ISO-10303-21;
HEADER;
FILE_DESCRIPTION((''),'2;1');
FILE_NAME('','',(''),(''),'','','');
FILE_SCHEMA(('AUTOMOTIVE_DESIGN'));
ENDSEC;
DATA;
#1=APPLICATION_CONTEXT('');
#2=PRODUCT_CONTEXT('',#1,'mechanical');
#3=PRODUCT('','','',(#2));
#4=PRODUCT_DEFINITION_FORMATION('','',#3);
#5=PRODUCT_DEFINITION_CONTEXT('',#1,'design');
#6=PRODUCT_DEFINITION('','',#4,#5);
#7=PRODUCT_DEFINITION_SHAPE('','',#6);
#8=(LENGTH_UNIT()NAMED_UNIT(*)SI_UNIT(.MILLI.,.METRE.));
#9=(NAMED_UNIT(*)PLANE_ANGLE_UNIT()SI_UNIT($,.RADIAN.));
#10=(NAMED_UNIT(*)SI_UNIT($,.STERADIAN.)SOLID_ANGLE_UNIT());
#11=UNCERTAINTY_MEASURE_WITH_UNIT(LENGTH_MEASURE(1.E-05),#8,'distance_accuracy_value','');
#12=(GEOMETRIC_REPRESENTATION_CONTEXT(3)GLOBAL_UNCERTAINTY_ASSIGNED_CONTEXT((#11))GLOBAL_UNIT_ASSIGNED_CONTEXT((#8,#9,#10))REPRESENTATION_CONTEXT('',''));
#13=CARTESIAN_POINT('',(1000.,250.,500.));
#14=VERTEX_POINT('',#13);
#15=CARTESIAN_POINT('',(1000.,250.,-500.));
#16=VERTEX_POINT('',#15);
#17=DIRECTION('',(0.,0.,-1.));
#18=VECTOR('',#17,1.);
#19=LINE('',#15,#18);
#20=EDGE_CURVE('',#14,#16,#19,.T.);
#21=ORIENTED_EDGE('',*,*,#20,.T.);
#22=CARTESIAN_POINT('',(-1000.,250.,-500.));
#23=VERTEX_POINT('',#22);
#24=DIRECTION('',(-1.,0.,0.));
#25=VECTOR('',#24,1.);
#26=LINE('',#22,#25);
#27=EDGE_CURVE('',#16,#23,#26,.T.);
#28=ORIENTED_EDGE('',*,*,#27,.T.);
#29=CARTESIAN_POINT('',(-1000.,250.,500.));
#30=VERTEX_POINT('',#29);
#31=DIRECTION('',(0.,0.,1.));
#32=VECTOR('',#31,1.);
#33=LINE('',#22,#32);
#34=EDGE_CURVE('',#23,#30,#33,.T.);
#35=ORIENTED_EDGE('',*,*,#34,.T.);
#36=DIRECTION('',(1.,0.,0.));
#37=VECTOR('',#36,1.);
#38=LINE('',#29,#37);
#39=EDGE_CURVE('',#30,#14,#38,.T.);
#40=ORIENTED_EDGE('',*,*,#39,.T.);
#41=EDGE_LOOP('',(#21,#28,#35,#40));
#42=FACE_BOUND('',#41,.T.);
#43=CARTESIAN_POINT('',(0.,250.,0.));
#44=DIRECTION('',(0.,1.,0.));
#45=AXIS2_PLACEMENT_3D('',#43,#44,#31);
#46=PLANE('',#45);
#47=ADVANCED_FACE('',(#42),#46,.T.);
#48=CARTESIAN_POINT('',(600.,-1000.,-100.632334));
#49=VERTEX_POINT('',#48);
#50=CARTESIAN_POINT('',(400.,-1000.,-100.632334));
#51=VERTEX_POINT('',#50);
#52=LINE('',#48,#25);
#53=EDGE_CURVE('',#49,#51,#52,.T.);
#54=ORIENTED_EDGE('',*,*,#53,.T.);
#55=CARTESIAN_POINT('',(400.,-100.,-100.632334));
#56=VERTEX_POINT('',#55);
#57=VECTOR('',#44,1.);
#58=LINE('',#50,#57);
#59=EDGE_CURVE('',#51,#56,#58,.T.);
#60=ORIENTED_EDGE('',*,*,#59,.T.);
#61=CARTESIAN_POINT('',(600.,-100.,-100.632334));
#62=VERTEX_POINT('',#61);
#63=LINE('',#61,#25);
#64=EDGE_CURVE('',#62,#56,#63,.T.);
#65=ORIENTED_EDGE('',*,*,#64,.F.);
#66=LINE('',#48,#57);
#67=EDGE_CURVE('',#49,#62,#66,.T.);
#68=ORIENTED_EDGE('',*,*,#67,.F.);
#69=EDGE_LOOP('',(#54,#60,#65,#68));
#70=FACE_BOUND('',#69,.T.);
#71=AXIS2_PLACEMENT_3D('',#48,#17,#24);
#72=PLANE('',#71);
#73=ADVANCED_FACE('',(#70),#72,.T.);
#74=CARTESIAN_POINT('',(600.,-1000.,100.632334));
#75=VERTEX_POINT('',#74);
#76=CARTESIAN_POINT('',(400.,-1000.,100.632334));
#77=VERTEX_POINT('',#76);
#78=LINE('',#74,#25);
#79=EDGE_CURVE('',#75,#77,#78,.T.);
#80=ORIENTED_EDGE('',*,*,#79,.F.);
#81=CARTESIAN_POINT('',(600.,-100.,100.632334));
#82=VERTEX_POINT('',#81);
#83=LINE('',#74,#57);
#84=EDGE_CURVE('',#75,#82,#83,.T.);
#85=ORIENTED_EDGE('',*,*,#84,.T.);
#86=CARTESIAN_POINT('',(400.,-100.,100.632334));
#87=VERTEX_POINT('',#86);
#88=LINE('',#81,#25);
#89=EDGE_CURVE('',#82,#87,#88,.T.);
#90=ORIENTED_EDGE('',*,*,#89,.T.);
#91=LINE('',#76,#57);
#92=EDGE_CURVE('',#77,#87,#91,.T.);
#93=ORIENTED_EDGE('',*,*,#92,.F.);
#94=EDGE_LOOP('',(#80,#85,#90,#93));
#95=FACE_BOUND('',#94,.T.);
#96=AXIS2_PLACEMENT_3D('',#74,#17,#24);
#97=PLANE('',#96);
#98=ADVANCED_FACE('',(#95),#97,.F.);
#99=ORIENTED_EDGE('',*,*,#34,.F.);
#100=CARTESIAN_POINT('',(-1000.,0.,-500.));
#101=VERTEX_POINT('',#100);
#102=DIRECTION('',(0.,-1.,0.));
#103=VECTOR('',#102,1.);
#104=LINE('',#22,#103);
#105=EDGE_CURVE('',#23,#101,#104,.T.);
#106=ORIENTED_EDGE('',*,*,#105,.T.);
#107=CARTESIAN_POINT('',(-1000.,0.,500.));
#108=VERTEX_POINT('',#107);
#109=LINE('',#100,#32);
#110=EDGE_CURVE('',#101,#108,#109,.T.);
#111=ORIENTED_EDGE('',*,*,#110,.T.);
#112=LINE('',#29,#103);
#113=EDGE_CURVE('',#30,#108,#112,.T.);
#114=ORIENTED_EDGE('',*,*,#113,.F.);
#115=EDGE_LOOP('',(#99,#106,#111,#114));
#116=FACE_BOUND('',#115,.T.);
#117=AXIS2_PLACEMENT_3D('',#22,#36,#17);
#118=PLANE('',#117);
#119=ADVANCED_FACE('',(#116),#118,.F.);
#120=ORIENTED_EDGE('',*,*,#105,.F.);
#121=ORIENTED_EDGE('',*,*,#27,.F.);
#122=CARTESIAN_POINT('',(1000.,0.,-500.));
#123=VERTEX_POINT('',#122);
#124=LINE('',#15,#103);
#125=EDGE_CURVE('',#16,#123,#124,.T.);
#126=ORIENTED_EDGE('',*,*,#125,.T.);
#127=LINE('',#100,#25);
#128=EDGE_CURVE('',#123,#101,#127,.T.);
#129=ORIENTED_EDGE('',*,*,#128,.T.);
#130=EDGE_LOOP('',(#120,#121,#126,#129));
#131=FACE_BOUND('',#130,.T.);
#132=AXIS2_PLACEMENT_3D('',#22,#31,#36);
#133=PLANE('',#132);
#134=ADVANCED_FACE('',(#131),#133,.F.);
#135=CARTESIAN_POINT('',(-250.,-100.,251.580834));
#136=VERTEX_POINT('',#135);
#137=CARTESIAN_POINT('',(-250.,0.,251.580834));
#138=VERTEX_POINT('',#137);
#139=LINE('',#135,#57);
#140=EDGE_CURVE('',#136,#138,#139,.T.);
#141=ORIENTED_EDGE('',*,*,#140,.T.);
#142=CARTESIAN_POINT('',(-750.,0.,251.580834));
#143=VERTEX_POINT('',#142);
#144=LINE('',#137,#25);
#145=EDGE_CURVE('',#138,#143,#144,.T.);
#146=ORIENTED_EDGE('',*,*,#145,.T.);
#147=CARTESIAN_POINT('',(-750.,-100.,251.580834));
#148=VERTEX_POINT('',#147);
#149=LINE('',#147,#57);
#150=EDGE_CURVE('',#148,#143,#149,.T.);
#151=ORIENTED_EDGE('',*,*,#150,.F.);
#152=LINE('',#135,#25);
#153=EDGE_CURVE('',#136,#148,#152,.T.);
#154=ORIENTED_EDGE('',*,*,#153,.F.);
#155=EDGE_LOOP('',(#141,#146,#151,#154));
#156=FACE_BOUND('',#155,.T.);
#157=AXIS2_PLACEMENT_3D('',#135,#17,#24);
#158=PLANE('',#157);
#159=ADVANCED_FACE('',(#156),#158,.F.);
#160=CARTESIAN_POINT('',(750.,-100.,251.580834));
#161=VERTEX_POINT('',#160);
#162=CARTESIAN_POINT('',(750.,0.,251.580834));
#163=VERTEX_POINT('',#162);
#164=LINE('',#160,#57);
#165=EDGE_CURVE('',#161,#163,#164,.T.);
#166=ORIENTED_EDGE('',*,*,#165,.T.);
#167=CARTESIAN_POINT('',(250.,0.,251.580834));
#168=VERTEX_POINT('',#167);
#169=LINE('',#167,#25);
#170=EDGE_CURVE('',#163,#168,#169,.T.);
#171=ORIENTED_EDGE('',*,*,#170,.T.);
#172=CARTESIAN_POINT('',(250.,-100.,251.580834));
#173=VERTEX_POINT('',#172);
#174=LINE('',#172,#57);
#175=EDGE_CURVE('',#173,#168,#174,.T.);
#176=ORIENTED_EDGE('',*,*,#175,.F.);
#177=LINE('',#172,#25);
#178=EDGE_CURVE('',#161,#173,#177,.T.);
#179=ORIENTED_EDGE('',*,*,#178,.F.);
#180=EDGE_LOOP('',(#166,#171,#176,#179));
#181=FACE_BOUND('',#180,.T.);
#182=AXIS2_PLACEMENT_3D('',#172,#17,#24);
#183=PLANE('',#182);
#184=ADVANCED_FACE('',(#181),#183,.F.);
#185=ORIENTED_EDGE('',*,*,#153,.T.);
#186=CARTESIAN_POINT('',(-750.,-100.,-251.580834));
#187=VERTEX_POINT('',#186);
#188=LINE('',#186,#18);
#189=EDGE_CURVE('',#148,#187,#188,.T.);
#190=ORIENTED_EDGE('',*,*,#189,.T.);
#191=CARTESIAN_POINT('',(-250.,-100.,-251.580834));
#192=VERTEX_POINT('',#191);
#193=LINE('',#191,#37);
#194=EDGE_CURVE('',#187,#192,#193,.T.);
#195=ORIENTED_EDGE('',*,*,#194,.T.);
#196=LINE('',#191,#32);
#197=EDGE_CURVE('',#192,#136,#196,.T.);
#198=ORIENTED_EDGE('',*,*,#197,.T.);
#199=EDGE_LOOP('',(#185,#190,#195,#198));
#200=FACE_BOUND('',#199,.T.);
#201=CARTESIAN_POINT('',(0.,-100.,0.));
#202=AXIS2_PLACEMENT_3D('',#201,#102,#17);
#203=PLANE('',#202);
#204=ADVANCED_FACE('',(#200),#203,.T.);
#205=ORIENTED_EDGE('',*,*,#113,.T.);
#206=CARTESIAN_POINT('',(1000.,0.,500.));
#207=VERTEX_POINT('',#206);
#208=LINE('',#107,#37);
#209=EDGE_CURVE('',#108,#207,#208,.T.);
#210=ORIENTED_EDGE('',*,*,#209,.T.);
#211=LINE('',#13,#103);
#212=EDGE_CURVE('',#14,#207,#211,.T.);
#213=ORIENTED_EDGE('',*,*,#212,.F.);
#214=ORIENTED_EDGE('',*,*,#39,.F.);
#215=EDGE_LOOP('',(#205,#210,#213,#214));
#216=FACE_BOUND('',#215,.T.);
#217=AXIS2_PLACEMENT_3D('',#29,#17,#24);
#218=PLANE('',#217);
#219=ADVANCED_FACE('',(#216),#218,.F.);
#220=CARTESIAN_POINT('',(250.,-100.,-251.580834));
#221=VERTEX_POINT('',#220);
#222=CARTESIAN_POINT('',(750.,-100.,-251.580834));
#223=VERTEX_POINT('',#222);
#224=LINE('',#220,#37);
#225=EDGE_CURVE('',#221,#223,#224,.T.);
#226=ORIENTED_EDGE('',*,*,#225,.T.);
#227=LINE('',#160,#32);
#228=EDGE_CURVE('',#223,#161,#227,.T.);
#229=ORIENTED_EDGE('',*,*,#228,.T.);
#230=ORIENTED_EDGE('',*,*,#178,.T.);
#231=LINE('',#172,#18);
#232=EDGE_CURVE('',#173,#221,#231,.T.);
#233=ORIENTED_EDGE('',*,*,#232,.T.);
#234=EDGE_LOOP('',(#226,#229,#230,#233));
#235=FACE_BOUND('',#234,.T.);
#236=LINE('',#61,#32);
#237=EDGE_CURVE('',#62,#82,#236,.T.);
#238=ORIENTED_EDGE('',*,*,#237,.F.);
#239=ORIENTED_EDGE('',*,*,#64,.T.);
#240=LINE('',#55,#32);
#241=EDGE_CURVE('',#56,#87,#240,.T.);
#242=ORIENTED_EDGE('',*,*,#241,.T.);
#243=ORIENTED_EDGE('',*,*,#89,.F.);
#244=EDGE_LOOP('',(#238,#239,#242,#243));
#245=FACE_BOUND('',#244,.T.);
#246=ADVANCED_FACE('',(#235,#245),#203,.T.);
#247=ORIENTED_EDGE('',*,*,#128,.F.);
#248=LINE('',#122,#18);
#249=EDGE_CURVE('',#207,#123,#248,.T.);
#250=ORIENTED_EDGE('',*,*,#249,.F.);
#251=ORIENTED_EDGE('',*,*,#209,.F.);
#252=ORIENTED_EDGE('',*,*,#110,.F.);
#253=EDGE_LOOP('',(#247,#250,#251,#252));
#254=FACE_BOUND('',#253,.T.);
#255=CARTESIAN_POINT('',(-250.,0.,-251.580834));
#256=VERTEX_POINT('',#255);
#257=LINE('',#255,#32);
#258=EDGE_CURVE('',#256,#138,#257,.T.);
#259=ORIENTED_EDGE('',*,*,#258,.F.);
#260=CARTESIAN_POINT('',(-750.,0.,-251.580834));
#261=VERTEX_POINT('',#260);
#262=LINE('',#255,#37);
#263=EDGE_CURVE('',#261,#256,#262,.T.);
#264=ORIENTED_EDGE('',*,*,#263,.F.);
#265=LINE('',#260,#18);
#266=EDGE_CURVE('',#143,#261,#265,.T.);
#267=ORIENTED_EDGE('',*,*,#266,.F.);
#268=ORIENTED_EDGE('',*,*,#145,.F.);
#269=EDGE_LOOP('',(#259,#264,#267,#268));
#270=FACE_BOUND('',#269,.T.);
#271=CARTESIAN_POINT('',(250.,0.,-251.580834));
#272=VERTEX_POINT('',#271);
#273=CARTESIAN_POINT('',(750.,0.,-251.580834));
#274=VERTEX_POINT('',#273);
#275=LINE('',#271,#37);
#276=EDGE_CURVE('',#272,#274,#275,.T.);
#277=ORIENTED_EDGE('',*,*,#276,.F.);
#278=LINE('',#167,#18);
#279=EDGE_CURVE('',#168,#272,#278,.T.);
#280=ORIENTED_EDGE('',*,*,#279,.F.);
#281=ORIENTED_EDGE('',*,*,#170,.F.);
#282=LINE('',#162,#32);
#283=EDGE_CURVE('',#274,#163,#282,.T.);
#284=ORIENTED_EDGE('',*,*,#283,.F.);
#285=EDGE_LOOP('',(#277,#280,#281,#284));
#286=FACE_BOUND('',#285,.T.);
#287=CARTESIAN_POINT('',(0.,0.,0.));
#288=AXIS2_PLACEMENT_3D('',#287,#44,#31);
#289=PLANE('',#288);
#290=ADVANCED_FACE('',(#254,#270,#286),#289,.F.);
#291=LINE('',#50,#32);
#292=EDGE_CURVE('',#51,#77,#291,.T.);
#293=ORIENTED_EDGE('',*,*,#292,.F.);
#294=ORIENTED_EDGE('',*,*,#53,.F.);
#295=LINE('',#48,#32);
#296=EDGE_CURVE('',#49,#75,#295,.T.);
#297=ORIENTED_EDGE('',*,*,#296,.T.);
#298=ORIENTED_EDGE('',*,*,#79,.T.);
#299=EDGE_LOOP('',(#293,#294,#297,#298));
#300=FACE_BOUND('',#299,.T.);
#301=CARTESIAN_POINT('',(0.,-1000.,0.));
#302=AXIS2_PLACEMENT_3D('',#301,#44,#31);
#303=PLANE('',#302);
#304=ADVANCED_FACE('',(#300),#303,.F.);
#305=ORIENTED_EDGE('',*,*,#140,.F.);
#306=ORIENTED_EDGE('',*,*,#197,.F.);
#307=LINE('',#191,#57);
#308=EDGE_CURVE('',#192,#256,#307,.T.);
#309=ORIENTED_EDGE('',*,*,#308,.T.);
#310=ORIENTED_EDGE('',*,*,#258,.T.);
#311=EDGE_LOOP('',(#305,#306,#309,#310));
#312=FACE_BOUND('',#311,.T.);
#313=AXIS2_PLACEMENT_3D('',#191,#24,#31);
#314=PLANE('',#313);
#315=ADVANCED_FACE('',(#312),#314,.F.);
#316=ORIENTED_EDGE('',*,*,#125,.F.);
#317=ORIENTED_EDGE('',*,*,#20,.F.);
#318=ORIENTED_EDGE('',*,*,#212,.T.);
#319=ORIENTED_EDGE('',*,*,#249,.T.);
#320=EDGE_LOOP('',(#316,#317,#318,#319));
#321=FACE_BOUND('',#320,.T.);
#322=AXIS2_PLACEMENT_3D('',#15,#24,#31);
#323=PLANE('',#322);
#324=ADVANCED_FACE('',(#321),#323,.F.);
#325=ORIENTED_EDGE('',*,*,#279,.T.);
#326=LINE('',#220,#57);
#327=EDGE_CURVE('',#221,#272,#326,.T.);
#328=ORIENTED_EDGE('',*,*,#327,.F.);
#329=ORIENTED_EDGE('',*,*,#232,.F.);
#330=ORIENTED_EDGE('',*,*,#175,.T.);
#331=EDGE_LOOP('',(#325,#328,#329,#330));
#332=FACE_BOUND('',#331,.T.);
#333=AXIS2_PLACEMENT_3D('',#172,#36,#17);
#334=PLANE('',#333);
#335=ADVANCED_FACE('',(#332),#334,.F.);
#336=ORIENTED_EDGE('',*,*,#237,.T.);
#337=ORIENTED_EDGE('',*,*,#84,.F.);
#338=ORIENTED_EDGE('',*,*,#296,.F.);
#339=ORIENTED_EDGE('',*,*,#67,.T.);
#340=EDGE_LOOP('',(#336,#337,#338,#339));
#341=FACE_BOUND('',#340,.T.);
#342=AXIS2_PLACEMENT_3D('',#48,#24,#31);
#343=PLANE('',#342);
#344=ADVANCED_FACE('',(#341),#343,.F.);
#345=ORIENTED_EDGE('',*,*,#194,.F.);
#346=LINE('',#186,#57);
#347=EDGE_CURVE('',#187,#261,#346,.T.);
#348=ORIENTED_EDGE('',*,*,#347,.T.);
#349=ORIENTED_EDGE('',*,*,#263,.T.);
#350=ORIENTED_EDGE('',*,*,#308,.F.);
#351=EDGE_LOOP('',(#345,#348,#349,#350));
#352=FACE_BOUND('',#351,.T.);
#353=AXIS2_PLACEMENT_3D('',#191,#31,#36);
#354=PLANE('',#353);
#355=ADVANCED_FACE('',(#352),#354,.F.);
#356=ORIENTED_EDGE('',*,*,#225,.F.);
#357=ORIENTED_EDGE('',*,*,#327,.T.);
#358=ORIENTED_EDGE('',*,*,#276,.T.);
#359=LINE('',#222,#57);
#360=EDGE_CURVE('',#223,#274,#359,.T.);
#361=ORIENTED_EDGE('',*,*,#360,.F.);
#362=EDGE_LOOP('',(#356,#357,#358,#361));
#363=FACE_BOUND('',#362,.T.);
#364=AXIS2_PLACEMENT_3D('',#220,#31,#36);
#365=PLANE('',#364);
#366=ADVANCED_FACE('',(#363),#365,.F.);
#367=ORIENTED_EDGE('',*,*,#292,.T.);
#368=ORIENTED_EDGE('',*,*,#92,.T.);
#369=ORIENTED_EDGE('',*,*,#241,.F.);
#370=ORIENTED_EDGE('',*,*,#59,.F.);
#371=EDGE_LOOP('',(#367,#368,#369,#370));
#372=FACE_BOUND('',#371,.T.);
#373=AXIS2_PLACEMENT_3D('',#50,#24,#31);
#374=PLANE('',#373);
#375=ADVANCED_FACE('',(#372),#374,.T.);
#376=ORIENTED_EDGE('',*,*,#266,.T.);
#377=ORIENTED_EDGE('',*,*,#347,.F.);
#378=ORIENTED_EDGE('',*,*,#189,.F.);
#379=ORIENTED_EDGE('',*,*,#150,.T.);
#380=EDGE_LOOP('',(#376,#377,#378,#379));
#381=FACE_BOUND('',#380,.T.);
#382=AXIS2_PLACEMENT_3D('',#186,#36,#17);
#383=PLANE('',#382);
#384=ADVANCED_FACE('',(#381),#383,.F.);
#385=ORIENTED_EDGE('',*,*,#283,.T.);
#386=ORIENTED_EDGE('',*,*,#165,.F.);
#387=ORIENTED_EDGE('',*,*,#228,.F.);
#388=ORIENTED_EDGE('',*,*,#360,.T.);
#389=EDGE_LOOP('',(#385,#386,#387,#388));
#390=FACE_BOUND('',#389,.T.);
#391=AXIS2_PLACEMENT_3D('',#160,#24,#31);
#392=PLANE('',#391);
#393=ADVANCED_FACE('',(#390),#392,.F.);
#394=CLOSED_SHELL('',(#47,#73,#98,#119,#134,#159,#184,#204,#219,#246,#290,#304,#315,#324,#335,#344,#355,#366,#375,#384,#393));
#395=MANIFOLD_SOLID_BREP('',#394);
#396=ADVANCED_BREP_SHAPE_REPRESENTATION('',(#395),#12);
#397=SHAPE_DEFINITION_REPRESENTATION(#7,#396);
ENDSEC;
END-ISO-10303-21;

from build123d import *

# Parameters (mm, degrees)
SKETCH2_W           = 2000
SKETCH2_H           = 1000
BOSS_EXTRUDE1_DEPTH = 250
SKETCH3_W           = 500
SKETCH3_H           = 503.161668984
BOSS_EXTRUDE2_DEPTH = 100
SKETCH4_W           = 200
SKETCH4_H           = 201.264667594
BOSS_EXTRUDE3_DEPTH = 900


with BuildPart() as part:
    # Sketch2 → Boss-Extrude1 (new body)
    with BuildSketch(Plane(origin=(0, 0, 0), x_dir=(1, 0, 0), z_dir=(0, 1, 0))):
        Rectangle(SKETCH2_W, SKETCH2_H)
    extrude(amount=BOSS_EXTRUDE1_DEPTH)

    # Sketch3 → Boss-Extrude2 (add)
    with BuildSketch(Plane.XZ):
        with Locations((-500, 0)):
            Rectangle(SKETCH3_W, SKETCH3_H)
        with Locations((500, 0)):
            Rectangle(SKETCH3_W, SKETCH3_H)
    extrude(amount=BOSS_EXTRUDE2_DEPTH)

    # Sketch4 → Boss-Extrude3 (add)
    with BuildSketch(Plane.XZ.offset(100)):
        with Locations((500, 0)):
            Rectangle(SKETCH4_W, SKETCH4_H)
    extrude(amount=BOSS_EXTRUDE3_DEPTH)


solid = part.part
